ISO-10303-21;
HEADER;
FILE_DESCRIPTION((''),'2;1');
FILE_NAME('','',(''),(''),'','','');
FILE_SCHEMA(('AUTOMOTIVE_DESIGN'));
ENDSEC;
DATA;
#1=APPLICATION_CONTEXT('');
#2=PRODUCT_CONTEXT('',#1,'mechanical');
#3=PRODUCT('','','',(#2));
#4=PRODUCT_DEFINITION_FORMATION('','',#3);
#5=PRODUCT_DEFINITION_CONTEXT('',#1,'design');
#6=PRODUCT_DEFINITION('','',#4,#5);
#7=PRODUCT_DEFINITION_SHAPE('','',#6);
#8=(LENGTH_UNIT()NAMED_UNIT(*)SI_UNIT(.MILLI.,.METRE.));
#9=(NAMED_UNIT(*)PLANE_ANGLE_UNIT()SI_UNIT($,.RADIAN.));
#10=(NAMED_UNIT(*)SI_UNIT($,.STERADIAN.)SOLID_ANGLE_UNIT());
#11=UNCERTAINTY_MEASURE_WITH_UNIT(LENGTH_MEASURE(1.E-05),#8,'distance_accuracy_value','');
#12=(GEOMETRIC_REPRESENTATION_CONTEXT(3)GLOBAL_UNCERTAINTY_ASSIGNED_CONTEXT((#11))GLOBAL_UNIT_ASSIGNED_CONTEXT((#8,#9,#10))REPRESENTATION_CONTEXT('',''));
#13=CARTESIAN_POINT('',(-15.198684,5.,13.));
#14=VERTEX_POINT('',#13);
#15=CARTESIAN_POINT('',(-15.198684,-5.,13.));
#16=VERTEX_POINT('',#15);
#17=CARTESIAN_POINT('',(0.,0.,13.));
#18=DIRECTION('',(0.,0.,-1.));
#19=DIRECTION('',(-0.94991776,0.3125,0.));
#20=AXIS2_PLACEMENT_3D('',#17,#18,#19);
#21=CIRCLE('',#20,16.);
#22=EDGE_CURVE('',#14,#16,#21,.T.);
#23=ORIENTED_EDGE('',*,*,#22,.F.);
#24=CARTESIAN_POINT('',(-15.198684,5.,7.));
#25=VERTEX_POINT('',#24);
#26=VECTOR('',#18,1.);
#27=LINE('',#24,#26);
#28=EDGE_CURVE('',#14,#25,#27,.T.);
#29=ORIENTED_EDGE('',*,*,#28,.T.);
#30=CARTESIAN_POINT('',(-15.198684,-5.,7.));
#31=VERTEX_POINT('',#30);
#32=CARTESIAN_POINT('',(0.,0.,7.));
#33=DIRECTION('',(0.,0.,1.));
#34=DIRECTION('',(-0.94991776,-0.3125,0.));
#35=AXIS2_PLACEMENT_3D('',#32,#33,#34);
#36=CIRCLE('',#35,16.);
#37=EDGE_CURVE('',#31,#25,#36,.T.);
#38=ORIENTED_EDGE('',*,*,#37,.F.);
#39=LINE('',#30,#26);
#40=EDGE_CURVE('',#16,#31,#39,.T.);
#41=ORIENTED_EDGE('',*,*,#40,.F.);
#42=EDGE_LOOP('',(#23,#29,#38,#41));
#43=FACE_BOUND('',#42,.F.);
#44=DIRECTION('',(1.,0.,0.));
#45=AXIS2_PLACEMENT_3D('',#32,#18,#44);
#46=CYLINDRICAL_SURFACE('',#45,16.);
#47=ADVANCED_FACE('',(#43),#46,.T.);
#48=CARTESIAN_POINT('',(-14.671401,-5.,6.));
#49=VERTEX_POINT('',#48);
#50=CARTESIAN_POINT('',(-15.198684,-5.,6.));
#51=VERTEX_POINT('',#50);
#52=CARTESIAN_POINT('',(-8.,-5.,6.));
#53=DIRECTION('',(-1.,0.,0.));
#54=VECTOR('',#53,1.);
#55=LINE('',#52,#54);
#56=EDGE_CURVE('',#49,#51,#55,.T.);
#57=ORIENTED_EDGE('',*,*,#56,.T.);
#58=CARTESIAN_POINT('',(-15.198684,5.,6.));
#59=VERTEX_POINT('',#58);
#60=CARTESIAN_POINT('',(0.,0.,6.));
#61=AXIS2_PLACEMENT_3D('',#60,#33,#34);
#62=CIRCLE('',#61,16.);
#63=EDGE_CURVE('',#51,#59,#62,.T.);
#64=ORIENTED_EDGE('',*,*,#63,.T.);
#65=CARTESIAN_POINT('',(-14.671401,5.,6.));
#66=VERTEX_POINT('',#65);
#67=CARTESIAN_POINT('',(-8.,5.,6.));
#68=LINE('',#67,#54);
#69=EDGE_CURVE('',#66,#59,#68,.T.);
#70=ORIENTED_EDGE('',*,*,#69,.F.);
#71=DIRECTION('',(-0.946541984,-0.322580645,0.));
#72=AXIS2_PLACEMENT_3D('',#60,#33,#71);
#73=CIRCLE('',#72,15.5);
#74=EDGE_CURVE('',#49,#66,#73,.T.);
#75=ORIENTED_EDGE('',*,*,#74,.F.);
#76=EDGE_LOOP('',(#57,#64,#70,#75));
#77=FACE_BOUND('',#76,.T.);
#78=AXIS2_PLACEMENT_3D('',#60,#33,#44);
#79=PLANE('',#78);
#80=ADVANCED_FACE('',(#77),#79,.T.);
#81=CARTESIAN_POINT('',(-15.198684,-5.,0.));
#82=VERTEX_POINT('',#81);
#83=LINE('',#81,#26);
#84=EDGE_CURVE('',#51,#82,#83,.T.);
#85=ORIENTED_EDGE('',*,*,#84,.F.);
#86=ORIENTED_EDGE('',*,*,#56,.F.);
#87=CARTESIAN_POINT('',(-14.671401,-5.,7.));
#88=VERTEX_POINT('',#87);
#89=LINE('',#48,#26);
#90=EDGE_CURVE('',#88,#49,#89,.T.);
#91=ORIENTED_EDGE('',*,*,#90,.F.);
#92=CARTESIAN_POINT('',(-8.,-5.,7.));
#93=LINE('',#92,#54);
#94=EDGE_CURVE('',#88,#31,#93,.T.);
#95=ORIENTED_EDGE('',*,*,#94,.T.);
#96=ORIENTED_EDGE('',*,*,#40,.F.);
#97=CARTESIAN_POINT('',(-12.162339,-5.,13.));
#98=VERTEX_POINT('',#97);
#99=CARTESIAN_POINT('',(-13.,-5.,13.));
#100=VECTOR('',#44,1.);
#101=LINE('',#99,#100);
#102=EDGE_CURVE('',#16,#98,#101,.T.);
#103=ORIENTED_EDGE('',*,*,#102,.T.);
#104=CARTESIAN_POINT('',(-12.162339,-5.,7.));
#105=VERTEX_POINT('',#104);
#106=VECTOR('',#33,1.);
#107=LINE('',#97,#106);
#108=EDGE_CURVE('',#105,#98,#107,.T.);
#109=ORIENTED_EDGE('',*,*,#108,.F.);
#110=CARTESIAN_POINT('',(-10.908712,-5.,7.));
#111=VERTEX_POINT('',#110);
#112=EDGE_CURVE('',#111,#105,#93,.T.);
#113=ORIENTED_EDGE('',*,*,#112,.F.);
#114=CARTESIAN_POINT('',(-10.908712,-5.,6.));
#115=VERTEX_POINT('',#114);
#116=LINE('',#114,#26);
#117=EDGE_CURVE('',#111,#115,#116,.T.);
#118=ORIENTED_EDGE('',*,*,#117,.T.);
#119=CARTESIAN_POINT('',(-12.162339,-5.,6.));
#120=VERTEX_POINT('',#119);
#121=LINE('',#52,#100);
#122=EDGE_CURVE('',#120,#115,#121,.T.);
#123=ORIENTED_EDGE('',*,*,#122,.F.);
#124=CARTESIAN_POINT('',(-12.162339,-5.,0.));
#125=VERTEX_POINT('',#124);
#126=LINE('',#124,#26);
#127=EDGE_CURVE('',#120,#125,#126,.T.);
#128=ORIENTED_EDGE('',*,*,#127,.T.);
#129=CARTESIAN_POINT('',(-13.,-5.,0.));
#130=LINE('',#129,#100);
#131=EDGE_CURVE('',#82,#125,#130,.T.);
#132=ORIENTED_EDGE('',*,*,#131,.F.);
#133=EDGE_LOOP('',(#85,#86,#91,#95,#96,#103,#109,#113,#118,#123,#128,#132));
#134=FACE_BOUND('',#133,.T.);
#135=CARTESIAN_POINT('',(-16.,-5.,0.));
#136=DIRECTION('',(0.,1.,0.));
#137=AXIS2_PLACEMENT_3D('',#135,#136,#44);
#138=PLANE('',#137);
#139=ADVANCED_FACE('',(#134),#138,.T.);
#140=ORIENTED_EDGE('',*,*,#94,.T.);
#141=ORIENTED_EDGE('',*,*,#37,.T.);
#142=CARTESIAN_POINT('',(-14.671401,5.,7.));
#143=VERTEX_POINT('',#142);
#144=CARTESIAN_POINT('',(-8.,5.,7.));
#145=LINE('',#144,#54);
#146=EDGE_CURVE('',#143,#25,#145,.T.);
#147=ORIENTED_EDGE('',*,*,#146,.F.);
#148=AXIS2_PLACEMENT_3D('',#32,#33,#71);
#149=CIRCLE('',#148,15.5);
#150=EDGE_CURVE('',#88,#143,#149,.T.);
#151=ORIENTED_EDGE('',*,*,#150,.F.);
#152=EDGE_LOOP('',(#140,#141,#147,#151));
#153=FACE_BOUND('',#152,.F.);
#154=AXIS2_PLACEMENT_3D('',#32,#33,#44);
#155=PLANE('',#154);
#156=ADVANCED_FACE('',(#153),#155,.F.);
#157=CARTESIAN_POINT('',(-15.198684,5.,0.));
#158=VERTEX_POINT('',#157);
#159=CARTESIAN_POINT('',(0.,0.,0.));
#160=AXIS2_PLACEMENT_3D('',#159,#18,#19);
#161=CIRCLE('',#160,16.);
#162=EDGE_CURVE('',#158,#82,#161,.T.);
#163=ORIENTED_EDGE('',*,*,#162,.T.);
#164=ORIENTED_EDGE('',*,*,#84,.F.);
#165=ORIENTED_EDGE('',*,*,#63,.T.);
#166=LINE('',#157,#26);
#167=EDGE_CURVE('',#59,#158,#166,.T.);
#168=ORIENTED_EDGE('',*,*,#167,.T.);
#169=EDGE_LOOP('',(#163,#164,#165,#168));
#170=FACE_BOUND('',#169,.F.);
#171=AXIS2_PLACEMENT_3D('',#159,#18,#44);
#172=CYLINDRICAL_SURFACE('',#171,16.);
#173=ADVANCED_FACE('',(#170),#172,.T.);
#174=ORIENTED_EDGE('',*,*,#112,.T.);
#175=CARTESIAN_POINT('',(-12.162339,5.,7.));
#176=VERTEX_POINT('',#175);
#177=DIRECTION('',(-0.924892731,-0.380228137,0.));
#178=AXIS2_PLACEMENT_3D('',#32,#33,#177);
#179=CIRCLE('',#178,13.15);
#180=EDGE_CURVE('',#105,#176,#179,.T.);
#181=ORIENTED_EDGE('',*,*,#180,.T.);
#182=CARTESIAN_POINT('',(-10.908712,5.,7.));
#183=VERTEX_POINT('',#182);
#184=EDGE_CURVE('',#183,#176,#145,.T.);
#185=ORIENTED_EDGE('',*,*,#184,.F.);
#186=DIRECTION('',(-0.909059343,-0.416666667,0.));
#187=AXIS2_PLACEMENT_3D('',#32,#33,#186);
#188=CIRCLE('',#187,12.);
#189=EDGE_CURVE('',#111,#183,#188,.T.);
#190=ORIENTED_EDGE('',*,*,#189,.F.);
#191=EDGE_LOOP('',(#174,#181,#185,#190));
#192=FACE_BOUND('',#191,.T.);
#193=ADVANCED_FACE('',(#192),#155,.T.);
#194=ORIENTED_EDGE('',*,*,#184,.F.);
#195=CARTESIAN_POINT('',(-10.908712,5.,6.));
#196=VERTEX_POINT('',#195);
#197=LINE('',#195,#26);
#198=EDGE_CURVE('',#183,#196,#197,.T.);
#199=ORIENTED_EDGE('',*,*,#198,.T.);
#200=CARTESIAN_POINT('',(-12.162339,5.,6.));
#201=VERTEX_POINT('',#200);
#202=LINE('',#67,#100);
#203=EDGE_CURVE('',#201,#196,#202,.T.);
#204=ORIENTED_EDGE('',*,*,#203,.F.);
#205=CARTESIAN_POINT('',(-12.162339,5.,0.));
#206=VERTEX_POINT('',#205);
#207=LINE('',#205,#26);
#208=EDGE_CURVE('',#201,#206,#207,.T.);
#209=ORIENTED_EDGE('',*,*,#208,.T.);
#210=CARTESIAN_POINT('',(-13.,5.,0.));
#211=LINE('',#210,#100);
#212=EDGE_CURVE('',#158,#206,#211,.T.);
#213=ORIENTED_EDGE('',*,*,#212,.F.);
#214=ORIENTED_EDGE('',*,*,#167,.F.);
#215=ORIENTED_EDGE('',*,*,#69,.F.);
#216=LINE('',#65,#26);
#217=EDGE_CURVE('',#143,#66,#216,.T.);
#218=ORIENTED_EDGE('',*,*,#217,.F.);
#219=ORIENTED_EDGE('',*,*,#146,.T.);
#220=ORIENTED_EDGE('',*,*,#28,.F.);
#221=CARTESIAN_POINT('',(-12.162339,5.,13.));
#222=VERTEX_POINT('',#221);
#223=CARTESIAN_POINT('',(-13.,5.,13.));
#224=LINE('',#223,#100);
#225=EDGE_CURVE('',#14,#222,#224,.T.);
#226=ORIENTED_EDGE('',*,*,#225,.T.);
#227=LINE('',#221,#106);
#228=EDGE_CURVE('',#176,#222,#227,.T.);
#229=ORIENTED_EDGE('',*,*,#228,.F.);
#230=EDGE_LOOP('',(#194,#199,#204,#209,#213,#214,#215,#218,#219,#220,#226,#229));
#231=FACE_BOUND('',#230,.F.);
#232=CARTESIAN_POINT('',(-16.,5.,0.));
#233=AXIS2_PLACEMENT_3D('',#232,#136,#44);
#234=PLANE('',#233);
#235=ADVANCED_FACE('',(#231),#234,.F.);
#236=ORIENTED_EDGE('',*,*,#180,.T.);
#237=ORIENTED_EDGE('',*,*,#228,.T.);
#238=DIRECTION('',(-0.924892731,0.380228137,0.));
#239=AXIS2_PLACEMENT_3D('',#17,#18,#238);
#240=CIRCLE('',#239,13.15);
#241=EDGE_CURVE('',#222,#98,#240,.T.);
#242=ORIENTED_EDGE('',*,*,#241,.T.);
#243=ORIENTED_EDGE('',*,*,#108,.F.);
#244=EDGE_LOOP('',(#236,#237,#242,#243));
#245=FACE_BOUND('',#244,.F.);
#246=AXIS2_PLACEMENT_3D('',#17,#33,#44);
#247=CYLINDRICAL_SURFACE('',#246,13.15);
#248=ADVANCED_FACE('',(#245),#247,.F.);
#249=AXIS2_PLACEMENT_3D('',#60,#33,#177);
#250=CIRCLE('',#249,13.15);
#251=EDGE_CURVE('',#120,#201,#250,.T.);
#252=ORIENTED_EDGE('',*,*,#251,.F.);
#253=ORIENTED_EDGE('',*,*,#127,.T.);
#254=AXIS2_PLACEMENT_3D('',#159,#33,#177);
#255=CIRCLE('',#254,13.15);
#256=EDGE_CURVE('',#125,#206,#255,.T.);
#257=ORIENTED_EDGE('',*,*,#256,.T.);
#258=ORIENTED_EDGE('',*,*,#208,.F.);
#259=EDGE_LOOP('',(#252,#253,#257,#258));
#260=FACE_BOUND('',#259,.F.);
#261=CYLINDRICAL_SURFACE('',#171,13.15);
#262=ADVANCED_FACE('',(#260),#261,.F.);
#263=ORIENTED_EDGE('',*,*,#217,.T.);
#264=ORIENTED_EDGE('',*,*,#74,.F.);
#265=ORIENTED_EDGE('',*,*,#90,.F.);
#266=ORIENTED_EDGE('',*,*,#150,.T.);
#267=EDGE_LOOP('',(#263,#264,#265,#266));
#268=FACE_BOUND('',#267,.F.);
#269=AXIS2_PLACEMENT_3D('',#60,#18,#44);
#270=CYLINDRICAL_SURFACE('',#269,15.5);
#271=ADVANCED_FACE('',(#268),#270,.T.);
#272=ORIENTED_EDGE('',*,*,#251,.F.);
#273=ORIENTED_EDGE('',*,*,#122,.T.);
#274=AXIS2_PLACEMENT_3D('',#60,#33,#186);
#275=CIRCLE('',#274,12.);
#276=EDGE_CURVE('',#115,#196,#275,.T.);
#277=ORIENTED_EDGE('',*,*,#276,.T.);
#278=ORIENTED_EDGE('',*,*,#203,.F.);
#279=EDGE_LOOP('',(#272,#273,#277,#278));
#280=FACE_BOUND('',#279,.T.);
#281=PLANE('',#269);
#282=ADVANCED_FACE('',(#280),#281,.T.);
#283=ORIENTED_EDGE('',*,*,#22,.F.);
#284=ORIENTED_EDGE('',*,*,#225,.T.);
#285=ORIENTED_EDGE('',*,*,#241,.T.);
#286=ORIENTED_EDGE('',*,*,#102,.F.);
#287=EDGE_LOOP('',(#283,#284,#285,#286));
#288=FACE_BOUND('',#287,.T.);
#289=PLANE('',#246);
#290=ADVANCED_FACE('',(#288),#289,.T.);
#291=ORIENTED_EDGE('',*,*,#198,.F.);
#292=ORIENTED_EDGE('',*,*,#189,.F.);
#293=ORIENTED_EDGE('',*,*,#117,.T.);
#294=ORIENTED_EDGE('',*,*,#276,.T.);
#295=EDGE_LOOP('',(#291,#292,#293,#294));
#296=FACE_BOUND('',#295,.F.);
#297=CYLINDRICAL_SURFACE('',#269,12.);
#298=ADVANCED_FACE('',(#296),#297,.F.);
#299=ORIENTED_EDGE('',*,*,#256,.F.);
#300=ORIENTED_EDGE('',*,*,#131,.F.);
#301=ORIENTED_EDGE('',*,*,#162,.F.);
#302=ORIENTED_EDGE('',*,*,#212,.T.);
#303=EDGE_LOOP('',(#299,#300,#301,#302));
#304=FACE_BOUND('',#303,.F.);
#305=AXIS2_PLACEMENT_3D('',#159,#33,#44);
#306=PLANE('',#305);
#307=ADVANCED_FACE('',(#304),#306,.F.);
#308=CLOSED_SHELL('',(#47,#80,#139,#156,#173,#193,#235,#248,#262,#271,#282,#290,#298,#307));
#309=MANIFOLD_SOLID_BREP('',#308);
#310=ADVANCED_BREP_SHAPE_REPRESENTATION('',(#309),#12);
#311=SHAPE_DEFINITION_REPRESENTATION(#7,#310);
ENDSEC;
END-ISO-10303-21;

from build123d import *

# Parameters (mm, degrees)
SKETCH_R        = 16
PAD_DEPTH       = 6
SKETCH001_R     = 15.5
PAD001_DEPTH    = 1
SKETCH002_R     = 16
PAD002_DEPTH    = 6
SKETCH003_R     = 13.15
POCKET_DEPTH    = 6
SKETCH004_R     = 13.15
POCKET001_DEPTH = 6
SKETCH005_R     = 12
POCKET002_DEPTH = 1
SKETCH006_W     = 6
SKETCH006_H     = 10
POCKET003_DEPTH = 13


with BuildPart() as part:
    # Sketch → Pad (new body)
    with BuildSketch(Plane.XY):
        Circle(SKETCH_R)
    extrude(amount=PAD_DEPTH)

    # Sketch001 (on Face3 of Pad) → Pad001 (join)
    with BuildSketch(Plane.XY.offset(6)):
        Circle(SKETCH001_R)
    extrude(amount=PAD001_DEPTH)

    # Sketch002 (on Face5 of Pad001) → Pad002 (join)
    with BuildSketch(Plane.XY.offset(7)):
        Circle(SKETCH002_R)
    extrude(amount=PAD002_DEPTH)

    # Sketch003 (on Face3 of Pad002) → Pocket (cut)
    with BuildSketch(Plane.XY.offset(13)):
        Circle(SKETCH003_R)
    extrude(amount=-POCKET_DEPTH, mode=Mode.SUBTRACT)

    # Sketch004 (on Face9 of Pocket) → Pocket001 (cut)
    with BuildSketch(Plane(origin=(0, 0, 0), x_dir=(1, 0, 0), z_dir=(0, 0, -1))):
        Circle(SKETCH004_R)
    extrude(amount=-POCKET001_DEPTH, mode=Mode.SUBTRACT)

    # Sketch005 (on Face11 of Pocket001) → Pocket002 (cut)
    with BuildSketch(Plane(origin=(0, 0, 6), x_dir=(1, 0, 0), z_dir=(0, 0, -1))):
        Circle(SKETCH005_R)
    extrude(amount=-POCKET002_DEPTH, mode=Mode.SUBTRACT)

    # Sketch006 (on Face10 of Pocket002) → Pocket003 (cut)
    with BuildSketch(Plane(origin=(0, 0, 0), x_dir=(1, 0, 0), z_dir=(0, 0, -1))):
        with Locations((-13, 0)):
            Rectangle(SKETCH006_W, SKETCH006_H)
    extrude(amount=-POCKET003_DEPTH, mode=Mode.SUBTRACT)


solid = part.part
